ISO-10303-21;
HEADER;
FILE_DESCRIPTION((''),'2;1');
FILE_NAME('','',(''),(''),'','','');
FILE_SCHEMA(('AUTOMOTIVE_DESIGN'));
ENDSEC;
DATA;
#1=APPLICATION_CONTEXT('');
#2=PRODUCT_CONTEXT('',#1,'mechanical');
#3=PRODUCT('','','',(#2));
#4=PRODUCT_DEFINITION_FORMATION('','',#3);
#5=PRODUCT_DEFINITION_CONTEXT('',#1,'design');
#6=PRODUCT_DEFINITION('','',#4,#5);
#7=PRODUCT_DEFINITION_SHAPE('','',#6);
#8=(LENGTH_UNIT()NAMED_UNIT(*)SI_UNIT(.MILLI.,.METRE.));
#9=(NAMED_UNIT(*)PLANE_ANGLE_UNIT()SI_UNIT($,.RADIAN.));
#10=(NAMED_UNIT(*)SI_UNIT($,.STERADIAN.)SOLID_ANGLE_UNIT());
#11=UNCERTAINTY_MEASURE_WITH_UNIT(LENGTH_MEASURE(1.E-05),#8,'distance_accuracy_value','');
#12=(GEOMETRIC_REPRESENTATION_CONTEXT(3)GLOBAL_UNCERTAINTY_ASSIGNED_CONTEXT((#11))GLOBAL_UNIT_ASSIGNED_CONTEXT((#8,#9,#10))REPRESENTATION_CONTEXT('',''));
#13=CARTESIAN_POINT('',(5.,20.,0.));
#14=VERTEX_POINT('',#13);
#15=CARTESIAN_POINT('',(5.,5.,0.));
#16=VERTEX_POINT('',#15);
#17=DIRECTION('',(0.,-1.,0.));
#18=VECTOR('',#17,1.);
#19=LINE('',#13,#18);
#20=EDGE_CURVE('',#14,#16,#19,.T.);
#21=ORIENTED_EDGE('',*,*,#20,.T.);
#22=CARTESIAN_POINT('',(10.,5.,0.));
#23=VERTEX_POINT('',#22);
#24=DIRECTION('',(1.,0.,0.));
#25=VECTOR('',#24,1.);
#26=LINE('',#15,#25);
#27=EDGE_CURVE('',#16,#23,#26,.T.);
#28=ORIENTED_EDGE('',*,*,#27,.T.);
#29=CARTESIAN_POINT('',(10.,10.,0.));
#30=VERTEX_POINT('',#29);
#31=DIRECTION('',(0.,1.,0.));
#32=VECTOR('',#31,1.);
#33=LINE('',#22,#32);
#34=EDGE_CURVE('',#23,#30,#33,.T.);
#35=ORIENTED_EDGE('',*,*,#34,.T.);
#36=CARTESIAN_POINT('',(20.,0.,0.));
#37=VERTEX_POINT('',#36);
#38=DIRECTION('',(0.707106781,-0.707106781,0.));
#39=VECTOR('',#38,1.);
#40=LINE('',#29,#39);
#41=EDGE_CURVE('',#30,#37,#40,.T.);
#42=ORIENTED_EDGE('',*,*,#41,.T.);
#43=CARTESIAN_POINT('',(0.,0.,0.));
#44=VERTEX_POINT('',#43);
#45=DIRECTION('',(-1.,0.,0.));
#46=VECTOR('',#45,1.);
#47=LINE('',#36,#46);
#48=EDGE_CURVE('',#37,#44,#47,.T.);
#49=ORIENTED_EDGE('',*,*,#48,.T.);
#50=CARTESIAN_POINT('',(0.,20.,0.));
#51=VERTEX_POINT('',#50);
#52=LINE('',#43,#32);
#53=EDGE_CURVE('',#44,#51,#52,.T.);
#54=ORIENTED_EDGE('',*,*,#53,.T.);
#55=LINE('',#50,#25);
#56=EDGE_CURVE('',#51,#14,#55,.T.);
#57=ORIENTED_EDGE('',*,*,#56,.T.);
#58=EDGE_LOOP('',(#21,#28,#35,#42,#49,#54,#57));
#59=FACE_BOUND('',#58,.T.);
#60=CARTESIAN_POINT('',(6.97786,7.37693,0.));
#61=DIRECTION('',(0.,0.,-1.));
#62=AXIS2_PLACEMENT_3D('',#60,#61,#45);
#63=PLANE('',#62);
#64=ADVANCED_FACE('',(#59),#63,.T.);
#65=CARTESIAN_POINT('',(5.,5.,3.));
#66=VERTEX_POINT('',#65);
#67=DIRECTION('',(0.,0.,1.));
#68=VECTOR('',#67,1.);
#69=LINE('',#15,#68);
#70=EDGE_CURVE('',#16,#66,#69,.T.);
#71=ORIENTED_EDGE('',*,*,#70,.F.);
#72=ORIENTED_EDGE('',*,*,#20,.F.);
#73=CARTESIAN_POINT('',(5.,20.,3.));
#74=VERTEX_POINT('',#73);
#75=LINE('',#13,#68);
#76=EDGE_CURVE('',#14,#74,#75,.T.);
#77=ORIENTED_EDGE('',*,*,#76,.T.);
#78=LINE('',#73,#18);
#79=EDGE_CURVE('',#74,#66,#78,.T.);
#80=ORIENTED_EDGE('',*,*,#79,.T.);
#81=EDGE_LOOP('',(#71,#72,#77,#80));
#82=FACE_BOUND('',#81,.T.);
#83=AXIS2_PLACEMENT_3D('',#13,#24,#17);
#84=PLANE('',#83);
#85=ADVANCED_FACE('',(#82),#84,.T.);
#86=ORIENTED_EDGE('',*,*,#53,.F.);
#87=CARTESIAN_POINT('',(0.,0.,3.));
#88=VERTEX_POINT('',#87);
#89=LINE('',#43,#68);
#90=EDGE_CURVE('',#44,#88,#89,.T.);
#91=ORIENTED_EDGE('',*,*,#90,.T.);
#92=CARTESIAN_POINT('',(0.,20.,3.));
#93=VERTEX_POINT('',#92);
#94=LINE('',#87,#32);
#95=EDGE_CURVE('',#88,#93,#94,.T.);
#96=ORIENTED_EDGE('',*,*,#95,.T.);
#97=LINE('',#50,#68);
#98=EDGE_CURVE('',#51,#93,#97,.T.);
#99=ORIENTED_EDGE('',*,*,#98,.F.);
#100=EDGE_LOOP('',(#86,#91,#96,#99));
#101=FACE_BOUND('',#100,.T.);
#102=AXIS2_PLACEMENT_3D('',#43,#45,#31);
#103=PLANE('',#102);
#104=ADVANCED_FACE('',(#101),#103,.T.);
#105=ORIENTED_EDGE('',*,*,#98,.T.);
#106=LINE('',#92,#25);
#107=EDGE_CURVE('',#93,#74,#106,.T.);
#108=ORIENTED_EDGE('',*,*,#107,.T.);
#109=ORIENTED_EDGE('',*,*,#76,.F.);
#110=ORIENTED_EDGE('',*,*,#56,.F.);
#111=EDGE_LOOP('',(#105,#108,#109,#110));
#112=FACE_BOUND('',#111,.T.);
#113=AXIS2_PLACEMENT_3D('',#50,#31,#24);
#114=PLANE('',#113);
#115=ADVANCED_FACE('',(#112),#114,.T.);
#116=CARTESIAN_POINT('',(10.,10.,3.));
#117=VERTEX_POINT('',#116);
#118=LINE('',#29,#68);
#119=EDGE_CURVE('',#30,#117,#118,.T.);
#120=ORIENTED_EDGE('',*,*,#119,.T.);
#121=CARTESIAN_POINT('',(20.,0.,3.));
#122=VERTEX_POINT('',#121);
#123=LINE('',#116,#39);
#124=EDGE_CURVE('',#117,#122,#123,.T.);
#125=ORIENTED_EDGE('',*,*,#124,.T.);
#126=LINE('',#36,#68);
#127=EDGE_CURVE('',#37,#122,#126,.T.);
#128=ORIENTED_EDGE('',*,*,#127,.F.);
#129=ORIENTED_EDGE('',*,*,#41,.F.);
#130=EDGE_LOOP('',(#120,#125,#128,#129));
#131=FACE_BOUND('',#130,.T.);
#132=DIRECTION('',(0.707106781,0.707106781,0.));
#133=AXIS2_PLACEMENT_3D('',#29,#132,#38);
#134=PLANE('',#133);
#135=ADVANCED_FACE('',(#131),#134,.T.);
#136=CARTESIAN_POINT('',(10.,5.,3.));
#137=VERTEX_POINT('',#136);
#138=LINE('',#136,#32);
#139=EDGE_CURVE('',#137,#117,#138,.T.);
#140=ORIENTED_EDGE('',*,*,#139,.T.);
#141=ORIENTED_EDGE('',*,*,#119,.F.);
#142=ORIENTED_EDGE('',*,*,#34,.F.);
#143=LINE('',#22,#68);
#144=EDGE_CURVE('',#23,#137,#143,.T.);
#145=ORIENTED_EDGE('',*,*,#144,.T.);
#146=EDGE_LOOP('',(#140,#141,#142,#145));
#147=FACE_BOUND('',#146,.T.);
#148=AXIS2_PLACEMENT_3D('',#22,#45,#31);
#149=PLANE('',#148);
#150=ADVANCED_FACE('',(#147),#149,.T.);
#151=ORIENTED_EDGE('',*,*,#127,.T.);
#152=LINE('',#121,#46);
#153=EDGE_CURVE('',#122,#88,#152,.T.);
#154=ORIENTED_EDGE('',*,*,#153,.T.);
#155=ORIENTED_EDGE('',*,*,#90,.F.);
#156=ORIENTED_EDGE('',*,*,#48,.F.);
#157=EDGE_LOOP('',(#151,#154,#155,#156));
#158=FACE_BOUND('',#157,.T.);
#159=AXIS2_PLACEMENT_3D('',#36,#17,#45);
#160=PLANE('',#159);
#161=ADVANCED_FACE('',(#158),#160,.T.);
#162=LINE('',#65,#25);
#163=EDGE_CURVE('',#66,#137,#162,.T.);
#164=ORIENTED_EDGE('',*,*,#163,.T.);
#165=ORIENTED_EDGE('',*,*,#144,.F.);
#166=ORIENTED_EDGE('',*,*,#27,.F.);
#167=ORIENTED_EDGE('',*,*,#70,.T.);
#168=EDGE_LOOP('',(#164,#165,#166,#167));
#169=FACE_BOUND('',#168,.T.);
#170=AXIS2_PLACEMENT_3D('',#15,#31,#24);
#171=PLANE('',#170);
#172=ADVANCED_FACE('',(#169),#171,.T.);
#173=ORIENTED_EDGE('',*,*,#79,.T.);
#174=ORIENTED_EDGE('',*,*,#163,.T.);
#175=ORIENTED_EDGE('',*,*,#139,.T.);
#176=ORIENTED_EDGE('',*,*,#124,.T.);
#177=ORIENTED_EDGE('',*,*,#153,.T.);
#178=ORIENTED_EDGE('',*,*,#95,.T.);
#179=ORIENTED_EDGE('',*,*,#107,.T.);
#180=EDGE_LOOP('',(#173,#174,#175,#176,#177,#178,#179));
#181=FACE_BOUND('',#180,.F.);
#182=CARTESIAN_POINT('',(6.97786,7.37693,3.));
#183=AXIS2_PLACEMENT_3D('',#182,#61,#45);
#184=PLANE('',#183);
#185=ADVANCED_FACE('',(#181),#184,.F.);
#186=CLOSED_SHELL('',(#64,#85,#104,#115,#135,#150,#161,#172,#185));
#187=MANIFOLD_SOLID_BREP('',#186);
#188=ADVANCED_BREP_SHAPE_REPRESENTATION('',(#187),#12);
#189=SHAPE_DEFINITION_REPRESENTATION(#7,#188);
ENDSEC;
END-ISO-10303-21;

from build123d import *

# Parameters (mm, degrees)
PAD_DEPTH = 3


with BuildPart() as part:
    # Sketch → Pad (new body)
    with BuildSketch(Plane.XY):
        Polygon((0, 0), (0, 20), (5, 20), (5, 5), (10, 5), (10, 10), (20, 0), align=None)
    extrude(amount=PAD_DEPTH)


solid = part.part
